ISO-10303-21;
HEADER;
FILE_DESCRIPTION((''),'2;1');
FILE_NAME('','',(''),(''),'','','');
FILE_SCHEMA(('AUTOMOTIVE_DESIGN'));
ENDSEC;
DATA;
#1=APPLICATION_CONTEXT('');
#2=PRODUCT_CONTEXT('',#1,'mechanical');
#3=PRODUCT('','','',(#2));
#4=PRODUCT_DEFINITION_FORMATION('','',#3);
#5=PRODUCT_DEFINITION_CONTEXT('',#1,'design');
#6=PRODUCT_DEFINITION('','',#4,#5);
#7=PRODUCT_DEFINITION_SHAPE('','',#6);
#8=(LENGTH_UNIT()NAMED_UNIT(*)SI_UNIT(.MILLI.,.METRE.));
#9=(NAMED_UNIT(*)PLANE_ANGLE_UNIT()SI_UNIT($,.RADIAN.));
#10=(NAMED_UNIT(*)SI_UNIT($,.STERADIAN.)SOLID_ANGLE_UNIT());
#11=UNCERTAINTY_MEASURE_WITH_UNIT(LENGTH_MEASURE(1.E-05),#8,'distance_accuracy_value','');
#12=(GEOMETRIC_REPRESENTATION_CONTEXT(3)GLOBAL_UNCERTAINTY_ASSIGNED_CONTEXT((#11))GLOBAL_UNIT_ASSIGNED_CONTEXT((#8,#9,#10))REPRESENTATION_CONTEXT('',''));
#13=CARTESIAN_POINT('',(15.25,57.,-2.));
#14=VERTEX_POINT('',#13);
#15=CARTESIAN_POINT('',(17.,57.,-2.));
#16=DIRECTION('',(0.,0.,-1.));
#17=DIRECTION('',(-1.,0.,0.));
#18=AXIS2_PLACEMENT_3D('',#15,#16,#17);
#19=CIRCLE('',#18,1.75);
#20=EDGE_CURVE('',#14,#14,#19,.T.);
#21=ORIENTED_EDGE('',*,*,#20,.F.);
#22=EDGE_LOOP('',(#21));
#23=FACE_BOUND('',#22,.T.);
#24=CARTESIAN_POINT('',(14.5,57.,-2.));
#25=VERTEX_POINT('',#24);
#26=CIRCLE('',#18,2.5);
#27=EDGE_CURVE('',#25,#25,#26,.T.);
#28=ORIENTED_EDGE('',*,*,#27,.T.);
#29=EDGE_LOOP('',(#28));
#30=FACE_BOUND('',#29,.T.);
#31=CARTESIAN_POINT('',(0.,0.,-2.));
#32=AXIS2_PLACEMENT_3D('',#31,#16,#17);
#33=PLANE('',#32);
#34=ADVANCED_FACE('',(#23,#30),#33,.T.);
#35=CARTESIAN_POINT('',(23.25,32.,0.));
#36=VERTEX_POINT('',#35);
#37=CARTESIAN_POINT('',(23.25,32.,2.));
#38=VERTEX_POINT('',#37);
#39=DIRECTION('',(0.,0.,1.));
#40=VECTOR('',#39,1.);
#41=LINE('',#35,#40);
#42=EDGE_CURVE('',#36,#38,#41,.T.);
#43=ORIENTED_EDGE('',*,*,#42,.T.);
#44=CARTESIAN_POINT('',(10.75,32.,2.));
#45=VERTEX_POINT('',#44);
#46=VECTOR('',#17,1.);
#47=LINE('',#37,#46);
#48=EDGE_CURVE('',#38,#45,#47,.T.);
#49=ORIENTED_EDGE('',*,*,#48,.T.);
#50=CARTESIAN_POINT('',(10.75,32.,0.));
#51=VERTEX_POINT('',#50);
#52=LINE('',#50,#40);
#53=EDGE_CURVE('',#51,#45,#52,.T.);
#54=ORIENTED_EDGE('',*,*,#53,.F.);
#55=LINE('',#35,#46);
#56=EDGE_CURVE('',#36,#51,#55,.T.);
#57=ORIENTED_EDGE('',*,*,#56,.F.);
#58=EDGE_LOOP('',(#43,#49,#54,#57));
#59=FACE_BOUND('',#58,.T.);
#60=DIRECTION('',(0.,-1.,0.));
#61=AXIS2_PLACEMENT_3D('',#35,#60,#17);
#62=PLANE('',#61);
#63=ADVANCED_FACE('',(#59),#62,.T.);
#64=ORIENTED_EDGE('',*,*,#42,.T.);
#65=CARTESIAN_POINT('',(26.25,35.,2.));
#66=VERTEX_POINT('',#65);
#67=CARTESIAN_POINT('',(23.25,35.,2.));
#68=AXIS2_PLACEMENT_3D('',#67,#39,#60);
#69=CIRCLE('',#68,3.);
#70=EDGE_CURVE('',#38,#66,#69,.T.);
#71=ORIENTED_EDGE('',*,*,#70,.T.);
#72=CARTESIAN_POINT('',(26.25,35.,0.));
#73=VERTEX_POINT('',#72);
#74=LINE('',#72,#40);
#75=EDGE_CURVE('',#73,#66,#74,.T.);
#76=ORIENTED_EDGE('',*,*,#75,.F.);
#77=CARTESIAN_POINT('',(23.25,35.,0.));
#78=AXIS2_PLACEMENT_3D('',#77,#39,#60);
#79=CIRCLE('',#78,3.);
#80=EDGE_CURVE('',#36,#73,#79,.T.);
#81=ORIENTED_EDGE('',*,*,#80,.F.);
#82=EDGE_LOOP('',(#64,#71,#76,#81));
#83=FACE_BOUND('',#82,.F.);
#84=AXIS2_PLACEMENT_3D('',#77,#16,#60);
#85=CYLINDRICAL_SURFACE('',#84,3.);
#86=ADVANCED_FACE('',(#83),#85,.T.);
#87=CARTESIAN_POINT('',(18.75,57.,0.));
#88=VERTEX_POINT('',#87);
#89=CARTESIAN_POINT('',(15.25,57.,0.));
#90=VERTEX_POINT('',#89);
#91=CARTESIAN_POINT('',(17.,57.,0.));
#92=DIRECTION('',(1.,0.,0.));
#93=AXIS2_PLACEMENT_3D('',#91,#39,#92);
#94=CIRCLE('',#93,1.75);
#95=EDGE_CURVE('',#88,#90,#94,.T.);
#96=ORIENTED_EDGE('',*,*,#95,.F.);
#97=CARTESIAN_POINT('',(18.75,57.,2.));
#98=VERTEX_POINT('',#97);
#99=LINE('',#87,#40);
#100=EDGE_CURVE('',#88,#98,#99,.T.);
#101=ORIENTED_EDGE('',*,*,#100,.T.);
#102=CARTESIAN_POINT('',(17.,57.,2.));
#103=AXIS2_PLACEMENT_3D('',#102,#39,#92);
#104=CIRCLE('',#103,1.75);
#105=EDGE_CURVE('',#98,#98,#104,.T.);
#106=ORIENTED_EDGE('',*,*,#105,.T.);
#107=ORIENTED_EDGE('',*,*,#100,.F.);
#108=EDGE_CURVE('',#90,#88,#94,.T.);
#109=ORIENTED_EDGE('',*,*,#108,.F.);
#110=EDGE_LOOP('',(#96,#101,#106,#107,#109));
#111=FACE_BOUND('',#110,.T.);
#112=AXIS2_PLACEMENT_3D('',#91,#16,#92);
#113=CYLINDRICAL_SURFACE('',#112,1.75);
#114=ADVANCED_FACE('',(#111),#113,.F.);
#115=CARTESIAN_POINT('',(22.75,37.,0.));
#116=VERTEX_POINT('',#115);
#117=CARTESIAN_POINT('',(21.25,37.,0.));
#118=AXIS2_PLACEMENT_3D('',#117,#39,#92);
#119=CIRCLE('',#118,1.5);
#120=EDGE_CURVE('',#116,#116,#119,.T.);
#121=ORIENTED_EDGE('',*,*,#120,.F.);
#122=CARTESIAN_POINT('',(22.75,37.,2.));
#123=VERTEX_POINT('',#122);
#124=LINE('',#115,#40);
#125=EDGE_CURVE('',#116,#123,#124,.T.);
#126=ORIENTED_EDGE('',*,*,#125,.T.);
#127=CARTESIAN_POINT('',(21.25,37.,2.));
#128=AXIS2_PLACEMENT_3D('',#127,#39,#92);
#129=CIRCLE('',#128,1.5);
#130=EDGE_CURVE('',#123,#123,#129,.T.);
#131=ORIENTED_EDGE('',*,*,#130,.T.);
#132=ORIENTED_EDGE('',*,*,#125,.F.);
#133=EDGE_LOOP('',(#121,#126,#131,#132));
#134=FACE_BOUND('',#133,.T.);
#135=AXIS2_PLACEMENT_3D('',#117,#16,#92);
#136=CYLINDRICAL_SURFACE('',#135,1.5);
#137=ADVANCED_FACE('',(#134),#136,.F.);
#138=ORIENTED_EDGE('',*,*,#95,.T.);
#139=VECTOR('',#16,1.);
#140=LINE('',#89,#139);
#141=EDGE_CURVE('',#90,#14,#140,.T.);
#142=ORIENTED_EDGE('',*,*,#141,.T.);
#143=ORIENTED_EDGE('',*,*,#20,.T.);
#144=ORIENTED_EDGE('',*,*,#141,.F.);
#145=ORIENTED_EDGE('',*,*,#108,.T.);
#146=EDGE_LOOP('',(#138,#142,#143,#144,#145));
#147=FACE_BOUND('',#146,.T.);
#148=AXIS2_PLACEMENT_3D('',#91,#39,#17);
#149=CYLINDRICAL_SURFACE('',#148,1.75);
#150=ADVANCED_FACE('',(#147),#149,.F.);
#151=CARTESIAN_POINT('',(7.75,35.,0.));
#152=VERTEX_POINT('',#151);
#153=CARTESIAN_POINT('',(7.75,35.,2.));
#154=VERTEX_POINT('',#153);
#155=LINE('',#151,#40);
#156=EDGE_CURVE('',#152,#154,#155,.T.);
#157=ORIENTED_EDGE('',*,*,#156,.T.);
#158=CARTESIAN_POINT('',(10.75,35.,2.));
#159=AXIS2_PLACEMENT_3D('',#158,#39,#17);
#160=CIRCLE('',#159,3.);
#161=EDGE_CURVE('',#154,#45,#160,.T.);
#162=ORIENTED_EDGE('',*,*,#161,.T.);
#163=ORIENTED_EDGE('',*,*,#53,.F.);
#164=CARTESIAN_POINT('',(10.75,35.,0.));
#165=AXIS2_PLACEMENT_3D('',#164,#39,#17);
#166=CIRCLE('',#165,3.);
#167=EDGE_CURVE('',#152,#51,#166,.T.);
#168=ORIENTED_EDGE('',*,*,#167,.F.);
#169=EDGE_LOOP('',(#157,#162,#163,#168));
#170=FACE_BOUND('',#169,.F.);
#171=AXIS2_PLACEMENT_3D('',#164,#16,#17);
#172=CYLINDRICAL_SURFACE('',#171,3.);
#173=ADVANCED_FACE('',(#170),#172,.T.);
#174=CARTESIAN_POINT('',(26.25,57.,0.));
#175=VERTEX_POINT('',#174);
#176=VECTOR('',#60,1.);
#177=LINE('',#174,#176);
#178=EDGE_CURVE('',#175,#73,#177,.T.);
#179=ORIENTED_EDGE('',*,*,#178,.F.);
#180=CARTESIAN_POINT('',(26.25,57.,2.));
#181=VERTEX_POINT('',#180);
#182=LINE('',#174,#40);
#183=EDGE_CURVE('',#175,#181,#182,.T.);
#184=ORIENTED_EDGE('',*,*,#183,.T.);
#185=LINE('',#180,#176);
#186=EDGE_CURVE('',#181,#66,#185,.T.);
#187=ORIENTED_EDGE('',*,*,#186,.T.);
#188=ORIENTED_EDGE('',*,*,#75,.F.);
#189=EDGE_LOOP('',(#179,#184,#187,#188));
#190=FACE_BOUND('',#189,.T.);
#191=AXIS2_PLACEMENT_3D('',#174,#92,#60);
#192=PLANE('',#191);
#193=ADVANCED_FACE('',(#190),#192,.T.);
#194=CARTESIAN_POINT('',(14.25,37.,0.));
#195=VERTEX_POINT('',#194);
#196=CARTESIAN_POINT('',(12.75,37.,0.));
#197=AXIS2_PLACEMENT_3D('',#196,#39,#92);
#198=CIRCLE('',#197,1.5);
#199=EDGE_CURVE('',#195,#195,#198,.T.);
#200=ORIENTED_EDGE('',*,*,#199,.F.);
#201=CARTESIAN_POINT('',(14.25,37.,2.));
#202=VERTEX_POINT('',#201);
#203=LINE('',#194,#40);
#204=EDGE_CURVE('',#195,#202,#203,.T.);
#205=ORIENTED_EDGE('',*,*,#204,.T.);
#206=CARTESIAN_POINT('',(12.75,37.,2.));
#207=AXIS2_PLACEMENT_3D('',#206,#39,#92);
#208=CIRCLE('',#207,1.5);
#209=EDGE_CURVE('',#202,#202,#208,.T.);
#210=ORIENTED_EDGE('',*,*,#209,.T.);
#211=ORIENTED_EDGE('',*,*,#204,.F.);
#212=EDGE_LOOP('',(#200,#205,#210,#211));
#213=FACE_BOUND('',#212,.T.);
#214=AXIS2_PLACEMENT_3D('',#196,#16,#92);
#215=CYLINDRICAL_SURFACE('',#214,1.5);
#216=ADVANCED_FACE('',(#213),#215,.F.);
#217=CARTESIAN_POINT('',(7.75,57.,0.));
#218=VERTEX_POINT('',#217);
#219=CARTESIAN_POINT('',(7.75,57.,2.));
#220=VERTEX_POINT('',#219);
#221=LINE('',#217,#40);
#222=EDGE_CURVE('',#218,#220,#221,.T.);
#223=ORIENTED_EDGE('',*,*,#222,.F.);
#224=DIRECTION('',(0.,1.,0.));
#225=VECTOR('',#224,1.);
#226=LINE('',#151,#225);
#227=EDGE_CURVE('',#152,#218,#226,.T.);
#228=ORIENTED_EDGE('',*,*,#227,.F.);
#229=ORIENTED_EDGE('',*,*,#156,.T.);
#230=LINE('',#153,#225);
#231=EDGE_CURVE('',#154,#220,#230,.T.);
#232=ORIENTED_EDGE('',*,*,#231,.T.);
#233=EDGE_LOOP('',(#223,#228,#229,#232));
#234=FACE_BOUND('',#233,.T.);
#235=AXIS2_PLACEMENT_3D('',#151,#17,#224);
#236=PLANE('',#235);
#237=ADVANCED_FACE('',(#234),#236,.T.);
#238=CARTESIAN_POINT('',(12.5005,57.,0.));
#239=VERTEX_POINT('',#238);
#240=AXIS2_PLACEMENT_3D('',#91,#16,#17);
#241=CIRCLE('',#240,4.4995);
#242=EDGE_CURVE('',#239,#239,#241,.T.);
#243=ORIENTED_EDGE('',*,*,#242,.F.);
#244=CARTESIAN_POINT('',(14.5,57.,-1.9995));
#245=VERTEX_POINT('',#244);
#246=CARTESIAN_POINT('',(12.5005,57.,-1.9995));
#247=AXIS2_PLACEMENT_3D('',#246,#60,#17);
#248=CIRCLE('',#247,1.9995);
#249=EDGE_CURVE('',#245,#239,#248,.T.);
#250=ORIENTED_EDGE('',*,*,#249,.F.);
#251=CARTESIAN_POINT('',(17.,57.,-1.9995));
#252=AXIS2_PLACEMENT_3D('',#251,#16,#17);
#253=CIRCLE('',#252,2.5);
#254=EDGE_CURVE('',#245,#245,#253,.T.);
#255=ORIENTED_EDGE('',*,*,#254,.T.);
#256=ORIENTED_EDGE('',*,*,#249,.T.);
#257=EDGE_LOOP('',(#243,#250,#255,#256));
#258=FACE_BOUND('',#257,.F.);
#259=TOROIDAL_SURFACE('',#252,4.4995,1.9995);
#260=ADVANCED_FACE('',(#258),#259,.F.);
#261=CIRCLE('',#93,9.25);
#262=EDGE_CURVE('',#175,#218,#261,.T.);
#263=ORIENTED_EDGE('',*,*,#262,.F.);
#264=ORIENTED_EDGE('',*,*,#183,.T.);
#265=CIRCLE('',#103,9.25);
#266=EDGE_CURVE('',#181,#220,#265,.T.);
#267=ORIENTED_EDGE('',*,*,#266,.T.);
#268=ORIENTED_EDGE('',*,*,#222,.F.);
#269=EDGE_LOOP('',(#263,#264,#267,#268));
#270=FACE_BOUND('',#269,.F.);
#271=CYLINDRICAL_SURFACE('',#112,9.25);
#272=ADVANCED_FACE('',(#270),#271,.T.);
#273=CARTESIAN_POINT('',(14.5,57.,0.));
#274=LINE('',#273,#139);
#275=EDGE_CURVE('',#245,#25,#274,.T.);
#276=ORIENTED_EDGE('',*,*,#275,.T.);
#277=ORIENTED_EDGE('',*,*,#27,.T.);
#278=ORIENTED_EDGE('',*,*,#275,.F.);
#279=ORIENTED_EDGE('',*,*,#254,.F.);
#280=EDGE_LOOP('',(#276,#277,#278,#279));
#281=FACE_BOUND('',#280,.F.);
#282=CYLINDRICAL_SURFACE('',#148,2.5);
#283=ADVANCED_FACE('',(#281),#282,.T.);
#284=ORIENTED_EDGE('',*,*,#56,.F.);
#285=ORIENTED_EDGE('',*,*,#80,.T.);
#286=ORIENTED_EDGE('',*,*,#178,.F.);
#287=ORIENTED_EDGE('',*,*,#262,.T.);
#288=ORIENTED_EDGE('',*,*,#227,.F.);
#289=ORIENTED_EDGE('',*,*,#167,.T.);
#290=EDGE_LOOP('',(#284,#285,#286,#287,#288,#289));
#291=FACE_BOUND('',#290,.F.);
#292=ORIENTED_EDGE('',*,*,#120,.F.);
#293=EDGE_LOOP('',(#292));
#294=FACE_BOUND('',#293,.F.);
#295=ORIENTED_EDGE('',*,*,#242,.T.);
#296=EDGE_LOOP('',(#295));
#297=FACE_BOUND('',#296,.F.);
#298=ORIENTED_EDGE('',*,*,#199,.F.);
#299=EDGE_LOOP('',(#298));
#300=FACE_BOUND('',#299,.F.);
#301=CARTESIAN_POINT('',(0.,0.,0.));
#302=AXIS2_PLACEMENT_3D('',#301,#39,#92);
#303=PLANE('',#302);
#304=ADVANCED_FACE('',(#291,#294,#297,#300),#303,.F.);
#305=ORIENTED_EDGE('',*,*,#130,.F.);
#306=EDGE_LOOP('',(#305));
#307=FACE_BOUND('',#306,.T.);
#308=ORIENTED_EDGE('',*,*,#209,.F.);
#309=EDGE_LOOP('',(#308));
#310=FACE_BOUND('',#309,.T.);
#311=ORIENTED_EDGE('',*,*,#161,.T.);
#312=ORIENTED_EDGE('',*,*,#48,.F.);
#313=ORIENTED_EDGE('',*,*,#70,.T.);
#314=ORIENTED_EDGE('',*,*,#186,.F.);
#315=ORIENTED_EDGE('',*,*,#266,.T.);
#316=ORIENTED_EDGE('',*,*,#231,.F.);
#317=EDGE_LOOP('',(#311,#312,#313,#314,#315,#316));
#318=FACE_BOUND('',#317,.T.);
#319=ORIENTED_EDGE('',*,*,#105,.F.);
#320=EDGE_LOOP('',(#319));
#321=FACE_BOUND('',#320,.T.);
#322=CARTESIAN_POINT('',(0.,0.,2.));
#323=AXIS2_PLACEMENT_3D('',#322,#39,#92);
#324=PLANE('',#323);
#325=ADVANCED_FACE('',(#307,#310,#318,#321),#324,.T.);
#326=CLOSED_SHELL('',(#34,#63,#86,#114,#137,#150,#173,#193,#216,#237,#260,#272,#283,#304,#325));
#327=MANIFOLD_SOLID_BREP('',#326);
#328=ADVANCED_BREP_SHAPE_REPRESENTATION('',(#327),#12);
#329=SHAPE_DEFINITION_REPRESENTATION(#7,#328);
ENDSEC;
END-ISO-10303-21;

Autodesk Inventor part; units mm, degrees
ref_plane "YZ Plane" through (0, 0, 0) normal (1, 0, 0) x (0, 1, 0)
ref_plane "XZ Plane" through (0, 0, 0) normal (0, 1, 0) x (-1, 0, 0)
ref_plane "XY Plane" through (0, 0, 0) normal (0, 0, 1) x (1, 0, 0)
ref_plane "Plano de trabajo1" through (0, 0, 0) normal (0, 0, 1) x (1, 0, 0)
sketch "Boceto1" plane through (0, 0, 0) normal (0, 0, 1) x (1, 0, 0)
  arc A0 (23.25, 32) -> (26.25, 35) centre (23.25, 35) ccw projected
  line L0 (23.25, 32) -> (10.75, 32) projected
  arc A1 (7.75, 35) -> (10.75, 32) centre (10.75, 35) ccw projected
  line L1 (7.75, 35) -> (7.75, 57) projected
  arc A2 (26.25, 57) -> (7.75, 57) centre (17, 57) ccw projected
  line L2 (26.25, 57) -> (26.25, 35) projected
  circle A3 centre (12.75, 37) radius 2.5 projected
  circle A4 centre (21.25, 37) radius 2.5 projected
  circle A5 centre (17, 57) radius 8.5 projected
  arc A6 (15.882, 58) -> (18.118, 58) centre (17, 57) ccw projected
  circle A7 centre (17, 57) radius 1.75
  circle A8 centre (12.75, 37) radius 1.5
  circle A9 centre (21.25, 37) radius 1.5
  point P0 (0, 0)
  dimension "d0" = 3.5
  dimension "d1" = 3
  dimension "d2" = 3
extrude "Extrusión1" add sketch "Boceto1" along normal blind 2 contours L0 A1 L1 A2 L2 A0 | A3 | A4 | A5
sketch "Boceto2" plane through (0, 0, 0) normal (0, 0, -1) x (-1, 0, 0)
  circle A0 centre (-17, 57) radius 1.75 projected
  circle A1 centre (-17, 57) radius 2.5
  point P0 (0, 0)
  dimension "d5" = 5
extrude "Extrusión2" add sketch "Boceto2" along normal blind 2
fillet "Empalme1" radius 2 1 edges at (19.5, 57, 0)
properties part number "Soporte Motor2"
